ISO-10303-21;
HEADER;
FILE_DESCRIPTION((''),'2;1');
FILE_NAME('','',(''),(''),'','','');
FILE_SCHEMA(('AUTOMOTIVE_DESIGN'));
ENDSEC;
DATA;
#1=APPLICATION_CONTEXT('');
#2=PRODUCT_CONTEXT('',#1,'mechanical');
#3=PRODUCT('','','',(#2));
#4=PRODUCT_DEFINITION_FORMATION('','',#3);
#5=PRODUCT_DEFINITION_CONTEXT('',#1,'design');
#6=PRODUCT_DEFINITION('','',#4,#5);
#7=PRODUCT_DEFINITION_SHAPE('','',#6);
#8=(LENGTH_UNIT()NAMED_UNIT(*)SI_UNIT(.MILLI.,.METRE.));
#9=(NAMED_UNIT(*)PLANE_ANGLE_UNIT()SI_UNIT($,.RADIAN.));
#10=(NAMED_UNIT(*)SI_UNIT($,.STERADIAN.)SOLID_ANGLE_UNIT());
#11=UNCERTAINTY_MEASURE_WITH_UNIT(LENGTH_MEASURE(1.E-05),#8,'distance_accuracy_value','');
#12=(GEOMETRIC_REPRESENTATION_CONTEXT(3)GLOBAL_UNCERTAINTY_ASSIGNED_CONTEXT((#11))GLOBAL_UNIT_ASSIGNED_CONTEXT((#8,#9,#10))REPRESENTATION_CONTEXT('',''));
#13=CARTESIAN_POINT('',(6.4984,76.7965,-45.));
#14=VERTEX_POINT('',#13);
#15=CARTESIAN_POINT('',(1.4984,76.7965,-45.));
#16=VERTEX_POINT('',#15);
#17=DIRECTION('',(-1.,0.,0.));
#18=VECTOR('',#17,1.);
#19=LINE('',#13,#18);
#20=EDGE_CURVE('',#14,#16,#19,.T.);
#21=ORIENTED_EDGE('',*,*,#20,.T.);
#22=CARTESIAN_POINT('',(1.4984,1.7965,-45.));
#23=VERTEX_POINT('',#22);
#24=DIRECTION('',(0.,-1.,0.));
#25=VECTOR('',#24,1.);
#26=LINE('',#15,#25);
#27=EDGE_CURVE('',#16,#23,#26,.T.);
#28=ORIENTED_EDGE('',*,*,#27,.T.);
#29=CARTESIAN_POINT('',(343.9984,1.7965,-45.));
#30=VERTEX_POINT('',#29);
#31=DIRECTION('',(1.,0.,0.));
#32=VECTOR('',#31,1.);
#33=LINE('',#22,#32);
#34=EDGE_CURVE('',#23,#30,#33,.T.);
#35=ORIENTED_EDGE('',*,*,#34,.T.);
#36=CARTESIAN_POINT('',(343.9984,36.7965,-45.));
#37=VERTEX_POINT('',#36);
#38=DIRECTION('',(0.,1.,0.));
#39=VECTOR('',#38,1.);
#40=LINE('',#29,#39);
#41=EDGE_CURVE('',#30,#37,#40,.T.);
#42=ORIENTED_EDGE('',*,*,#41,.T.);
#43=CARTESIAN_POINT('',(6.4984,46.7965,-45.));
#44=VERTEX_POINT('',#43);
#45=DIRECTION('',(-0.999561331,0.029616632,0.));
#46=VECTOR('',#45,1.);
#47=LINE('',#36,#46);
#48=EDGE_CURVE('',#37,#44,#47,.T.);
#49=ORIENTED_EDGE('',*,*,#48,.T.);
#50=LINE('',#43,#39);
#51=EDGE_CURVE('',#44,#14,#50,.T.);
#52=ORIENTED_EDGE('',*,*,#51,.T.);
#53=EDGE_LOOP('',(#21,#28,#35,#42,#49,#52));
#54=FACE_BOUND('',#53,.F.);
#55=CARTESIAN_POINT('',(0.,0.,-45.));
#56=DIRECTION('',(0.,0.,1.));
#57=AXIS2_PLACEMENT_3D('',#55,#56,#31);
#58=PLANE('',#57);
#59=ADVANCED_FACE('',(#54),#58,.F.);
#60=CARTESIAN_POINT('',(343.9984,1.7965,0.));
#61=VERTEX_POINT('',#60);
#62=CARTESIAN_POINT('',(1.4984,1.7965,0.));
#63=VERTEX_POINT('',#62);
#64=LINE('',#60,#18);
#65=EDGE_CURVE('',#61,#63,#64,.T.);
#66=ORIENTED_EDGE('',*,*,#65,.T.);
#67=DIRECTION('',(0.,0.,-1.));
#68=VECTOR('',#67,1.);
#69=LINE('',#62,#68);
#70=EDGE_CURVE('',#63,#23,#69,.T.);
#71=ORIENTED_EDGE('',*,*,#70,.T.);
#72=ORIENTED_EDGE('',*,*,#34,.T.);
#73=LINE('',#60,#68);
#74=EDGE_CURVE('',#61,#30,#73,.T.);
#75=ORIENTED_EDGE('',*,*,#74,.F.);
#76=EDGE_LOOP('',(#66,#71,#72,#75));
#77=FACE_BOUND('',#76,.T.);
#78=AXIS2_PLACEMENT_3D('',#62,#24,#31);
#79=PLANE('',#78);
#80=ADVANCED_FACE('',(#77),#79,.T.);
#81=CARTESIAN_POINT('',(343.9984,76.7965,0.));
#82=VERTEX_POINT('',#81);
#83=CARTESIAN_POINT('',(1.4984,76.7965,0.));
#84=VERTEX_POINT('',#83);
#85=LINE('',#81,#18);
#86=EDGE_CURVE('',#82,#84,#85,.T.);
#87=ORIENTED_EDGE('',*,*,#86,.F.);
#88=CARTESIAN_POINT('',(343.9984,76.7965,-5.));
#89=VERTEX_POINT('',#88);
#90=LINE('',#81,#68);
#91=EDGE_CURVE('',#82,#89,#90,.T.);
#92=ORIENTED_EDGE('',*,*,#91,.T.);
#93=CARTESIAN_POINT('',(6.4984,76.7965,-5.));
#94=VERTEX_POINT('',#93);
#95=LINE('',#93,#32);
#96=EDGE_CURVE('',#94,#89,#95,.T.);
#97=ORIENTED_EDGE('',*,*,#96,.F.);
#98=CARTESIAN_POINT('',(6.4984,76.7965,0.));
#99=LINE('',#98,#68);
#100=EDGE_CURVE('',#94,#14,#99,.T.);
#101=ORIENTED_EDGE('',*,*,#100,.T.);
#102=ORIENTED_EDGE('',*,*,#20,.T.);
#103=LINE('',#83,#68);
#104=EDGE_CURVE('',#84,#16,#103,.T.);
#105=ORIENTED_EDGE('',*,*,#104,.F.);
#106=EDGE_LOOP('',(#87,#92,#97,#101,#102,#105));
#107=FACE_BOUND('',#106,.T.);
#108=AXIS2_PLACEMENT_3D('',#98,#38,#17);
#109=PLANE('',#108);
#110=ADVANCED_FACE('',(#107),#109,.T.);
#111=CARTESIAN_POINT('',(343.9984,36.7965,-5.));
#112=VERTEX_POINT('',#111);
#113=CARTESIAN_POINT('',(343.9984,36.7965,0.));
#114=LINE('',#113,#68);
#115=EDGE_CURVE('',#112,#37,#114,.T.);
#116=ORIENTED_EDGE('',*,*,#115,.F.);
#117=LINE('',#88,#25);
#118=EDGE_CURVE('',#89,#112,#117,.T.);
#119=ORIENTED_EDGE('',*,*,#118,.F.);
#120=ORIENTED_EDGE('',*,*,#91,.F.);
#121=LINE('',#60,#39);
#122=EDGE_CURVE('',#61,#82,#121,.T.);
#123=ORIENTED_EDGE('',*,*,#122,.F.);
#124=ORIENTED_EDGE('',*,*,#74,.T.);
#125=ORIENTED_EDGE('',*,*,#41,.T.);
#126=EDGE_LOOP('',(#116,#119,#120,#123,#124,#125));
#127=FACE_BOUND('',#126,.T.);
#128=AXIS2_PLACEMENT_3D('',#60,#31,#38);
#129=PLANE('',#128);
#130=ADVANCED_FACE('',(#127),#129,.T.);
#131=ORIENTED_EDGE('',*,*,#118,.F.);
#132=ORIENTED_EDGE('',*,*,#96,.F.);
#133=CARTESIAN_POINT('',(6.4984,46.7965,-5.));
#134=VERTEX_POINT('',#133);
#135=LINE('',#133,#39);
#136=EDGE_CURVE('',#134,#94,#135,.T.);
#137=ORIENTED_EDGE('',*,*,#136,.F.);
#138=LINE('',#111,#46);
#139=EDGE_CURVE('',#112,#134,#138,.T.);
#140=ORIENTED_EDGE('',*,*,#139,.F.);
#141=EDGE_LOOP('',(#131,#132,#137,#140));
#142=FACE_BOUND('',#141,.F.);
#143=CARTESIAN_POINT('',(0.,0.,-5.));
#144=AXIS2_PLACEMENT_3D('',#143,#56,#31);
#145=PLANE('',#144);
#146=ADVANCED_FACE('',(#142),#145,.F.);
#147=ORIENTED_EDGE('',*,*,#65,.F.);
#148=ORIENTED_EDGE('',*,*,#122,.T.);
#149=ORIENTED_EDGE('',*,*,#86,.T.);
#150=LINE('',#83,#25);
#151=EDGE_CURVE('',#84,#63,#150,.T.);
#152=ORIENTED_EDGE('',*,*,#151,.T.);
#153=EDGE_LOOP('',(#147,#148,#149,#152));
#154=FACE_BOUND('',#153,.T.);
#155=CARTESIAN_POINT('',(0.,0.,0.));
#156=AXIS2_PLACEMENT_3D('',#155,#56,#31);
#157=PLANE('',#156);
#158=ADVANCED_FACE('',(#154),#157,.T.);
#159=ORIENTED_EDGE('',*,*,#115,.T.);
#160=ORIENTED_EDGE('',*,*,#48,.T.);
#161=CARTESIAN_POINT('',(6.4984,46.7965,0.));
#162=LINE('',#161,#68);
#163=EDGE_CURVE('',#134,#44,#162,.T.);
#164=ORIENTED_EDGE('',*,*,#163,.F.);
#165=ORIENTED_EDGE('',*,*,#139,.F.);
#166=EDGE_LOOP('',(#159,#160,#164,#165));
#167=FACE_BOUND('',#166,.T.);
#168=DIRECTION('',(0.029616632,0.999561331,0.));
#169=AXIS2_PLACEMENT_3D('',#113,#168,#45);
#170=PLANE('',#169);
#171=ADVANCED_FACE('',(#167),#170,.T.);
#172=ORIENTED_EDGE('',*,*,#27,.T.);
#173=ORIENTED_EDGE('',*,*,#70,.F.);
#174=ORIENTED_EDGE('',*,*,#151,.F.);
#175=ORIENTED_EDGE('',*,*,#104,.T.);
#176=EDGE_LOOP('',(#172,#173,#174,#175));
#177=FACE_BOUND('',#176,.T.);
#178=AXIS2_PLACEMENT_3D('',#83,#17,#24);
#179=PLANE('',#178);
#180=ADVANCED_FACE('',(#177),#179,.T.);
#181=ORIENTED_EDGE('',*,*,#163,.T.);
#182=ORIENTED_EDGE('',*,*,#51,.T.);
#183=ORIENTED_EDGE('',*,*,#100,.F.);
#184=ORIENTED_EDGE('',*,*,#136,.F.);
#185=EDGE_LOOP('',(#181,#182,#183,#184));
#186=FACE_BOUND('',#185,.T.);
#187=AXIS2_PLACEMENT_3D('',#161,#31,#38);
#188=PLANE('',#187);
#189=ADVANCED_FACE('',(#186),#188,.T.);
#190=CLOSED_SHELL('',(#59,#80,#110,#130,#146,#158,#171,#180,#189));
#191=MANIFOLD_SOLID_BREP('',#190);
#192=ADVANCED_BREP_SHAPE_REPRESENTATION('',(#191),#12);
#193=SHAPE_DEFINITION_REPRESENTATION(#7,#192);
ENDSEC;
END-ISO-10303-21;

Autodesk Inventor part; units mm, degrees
ref_plane "YZ Plane" through (0, 0, 0) normal (1, 0, 0) x (0, 1, 0)
ref_plane "XZ Plane" through (0, 0, 0) normal (0, 1, 0) x (-1, 0, 0)
ref_plane "XY Plane" through (0, 0, 0) normal (0, 0, 1) x (1, 0, 0)
sketch "Sketch1" plane through (0, 0, 0) normal (0, 0, 1) x (1, 0, 0)
  line L0 (6.4984, 1.7965) -> (6.4984, 46.7965)
  line L1 (6.4984, 1.7965) -> (343.9984, 1.7965)
  line L2 (343.9984, 1.7965) -> (343.9984, 36.7965)
  line L3 (343.9984, 36.7965) -> (6.4984, 46.7965)
  line L4 (6.4984, 46.7965) -> (6.4984, 76.7965)
  line L5 (6.4984, 76.7965) -> (343.9984, 76.7965)
  line L6 (343.9984, 76.7965) -> (343.9984, 36.7965)
  line L7 (6.4984, 76.7965) -> (1.4984, 76.7965)
  line L8 (1.4984, 76.7965) -> (1.4984, 1.7965)
  line L9 (1.4984, 1.7965) -> (6.4984, 1.7965)
  point P0 (0, 0)
  dimension "d0" = 45
  dimension "d1" = 35
  dimension "d2" = 337.5
  dimension "d3" = 30
  dimension "d12" = 5
extrude "Extrusion1" add sketch "Sketch1" against normal blind 45 contours L0 L3 L2 L1
extrude "Extrusion3" add sketch "Sketch1" against normal blind 5 contours L4 L5 L6 L3
extrude "Extrusion5" add sketch "Sketch1" against normal blind 45 contours L9 L8 L7 L4 L0
properties part number "collectingslide"
